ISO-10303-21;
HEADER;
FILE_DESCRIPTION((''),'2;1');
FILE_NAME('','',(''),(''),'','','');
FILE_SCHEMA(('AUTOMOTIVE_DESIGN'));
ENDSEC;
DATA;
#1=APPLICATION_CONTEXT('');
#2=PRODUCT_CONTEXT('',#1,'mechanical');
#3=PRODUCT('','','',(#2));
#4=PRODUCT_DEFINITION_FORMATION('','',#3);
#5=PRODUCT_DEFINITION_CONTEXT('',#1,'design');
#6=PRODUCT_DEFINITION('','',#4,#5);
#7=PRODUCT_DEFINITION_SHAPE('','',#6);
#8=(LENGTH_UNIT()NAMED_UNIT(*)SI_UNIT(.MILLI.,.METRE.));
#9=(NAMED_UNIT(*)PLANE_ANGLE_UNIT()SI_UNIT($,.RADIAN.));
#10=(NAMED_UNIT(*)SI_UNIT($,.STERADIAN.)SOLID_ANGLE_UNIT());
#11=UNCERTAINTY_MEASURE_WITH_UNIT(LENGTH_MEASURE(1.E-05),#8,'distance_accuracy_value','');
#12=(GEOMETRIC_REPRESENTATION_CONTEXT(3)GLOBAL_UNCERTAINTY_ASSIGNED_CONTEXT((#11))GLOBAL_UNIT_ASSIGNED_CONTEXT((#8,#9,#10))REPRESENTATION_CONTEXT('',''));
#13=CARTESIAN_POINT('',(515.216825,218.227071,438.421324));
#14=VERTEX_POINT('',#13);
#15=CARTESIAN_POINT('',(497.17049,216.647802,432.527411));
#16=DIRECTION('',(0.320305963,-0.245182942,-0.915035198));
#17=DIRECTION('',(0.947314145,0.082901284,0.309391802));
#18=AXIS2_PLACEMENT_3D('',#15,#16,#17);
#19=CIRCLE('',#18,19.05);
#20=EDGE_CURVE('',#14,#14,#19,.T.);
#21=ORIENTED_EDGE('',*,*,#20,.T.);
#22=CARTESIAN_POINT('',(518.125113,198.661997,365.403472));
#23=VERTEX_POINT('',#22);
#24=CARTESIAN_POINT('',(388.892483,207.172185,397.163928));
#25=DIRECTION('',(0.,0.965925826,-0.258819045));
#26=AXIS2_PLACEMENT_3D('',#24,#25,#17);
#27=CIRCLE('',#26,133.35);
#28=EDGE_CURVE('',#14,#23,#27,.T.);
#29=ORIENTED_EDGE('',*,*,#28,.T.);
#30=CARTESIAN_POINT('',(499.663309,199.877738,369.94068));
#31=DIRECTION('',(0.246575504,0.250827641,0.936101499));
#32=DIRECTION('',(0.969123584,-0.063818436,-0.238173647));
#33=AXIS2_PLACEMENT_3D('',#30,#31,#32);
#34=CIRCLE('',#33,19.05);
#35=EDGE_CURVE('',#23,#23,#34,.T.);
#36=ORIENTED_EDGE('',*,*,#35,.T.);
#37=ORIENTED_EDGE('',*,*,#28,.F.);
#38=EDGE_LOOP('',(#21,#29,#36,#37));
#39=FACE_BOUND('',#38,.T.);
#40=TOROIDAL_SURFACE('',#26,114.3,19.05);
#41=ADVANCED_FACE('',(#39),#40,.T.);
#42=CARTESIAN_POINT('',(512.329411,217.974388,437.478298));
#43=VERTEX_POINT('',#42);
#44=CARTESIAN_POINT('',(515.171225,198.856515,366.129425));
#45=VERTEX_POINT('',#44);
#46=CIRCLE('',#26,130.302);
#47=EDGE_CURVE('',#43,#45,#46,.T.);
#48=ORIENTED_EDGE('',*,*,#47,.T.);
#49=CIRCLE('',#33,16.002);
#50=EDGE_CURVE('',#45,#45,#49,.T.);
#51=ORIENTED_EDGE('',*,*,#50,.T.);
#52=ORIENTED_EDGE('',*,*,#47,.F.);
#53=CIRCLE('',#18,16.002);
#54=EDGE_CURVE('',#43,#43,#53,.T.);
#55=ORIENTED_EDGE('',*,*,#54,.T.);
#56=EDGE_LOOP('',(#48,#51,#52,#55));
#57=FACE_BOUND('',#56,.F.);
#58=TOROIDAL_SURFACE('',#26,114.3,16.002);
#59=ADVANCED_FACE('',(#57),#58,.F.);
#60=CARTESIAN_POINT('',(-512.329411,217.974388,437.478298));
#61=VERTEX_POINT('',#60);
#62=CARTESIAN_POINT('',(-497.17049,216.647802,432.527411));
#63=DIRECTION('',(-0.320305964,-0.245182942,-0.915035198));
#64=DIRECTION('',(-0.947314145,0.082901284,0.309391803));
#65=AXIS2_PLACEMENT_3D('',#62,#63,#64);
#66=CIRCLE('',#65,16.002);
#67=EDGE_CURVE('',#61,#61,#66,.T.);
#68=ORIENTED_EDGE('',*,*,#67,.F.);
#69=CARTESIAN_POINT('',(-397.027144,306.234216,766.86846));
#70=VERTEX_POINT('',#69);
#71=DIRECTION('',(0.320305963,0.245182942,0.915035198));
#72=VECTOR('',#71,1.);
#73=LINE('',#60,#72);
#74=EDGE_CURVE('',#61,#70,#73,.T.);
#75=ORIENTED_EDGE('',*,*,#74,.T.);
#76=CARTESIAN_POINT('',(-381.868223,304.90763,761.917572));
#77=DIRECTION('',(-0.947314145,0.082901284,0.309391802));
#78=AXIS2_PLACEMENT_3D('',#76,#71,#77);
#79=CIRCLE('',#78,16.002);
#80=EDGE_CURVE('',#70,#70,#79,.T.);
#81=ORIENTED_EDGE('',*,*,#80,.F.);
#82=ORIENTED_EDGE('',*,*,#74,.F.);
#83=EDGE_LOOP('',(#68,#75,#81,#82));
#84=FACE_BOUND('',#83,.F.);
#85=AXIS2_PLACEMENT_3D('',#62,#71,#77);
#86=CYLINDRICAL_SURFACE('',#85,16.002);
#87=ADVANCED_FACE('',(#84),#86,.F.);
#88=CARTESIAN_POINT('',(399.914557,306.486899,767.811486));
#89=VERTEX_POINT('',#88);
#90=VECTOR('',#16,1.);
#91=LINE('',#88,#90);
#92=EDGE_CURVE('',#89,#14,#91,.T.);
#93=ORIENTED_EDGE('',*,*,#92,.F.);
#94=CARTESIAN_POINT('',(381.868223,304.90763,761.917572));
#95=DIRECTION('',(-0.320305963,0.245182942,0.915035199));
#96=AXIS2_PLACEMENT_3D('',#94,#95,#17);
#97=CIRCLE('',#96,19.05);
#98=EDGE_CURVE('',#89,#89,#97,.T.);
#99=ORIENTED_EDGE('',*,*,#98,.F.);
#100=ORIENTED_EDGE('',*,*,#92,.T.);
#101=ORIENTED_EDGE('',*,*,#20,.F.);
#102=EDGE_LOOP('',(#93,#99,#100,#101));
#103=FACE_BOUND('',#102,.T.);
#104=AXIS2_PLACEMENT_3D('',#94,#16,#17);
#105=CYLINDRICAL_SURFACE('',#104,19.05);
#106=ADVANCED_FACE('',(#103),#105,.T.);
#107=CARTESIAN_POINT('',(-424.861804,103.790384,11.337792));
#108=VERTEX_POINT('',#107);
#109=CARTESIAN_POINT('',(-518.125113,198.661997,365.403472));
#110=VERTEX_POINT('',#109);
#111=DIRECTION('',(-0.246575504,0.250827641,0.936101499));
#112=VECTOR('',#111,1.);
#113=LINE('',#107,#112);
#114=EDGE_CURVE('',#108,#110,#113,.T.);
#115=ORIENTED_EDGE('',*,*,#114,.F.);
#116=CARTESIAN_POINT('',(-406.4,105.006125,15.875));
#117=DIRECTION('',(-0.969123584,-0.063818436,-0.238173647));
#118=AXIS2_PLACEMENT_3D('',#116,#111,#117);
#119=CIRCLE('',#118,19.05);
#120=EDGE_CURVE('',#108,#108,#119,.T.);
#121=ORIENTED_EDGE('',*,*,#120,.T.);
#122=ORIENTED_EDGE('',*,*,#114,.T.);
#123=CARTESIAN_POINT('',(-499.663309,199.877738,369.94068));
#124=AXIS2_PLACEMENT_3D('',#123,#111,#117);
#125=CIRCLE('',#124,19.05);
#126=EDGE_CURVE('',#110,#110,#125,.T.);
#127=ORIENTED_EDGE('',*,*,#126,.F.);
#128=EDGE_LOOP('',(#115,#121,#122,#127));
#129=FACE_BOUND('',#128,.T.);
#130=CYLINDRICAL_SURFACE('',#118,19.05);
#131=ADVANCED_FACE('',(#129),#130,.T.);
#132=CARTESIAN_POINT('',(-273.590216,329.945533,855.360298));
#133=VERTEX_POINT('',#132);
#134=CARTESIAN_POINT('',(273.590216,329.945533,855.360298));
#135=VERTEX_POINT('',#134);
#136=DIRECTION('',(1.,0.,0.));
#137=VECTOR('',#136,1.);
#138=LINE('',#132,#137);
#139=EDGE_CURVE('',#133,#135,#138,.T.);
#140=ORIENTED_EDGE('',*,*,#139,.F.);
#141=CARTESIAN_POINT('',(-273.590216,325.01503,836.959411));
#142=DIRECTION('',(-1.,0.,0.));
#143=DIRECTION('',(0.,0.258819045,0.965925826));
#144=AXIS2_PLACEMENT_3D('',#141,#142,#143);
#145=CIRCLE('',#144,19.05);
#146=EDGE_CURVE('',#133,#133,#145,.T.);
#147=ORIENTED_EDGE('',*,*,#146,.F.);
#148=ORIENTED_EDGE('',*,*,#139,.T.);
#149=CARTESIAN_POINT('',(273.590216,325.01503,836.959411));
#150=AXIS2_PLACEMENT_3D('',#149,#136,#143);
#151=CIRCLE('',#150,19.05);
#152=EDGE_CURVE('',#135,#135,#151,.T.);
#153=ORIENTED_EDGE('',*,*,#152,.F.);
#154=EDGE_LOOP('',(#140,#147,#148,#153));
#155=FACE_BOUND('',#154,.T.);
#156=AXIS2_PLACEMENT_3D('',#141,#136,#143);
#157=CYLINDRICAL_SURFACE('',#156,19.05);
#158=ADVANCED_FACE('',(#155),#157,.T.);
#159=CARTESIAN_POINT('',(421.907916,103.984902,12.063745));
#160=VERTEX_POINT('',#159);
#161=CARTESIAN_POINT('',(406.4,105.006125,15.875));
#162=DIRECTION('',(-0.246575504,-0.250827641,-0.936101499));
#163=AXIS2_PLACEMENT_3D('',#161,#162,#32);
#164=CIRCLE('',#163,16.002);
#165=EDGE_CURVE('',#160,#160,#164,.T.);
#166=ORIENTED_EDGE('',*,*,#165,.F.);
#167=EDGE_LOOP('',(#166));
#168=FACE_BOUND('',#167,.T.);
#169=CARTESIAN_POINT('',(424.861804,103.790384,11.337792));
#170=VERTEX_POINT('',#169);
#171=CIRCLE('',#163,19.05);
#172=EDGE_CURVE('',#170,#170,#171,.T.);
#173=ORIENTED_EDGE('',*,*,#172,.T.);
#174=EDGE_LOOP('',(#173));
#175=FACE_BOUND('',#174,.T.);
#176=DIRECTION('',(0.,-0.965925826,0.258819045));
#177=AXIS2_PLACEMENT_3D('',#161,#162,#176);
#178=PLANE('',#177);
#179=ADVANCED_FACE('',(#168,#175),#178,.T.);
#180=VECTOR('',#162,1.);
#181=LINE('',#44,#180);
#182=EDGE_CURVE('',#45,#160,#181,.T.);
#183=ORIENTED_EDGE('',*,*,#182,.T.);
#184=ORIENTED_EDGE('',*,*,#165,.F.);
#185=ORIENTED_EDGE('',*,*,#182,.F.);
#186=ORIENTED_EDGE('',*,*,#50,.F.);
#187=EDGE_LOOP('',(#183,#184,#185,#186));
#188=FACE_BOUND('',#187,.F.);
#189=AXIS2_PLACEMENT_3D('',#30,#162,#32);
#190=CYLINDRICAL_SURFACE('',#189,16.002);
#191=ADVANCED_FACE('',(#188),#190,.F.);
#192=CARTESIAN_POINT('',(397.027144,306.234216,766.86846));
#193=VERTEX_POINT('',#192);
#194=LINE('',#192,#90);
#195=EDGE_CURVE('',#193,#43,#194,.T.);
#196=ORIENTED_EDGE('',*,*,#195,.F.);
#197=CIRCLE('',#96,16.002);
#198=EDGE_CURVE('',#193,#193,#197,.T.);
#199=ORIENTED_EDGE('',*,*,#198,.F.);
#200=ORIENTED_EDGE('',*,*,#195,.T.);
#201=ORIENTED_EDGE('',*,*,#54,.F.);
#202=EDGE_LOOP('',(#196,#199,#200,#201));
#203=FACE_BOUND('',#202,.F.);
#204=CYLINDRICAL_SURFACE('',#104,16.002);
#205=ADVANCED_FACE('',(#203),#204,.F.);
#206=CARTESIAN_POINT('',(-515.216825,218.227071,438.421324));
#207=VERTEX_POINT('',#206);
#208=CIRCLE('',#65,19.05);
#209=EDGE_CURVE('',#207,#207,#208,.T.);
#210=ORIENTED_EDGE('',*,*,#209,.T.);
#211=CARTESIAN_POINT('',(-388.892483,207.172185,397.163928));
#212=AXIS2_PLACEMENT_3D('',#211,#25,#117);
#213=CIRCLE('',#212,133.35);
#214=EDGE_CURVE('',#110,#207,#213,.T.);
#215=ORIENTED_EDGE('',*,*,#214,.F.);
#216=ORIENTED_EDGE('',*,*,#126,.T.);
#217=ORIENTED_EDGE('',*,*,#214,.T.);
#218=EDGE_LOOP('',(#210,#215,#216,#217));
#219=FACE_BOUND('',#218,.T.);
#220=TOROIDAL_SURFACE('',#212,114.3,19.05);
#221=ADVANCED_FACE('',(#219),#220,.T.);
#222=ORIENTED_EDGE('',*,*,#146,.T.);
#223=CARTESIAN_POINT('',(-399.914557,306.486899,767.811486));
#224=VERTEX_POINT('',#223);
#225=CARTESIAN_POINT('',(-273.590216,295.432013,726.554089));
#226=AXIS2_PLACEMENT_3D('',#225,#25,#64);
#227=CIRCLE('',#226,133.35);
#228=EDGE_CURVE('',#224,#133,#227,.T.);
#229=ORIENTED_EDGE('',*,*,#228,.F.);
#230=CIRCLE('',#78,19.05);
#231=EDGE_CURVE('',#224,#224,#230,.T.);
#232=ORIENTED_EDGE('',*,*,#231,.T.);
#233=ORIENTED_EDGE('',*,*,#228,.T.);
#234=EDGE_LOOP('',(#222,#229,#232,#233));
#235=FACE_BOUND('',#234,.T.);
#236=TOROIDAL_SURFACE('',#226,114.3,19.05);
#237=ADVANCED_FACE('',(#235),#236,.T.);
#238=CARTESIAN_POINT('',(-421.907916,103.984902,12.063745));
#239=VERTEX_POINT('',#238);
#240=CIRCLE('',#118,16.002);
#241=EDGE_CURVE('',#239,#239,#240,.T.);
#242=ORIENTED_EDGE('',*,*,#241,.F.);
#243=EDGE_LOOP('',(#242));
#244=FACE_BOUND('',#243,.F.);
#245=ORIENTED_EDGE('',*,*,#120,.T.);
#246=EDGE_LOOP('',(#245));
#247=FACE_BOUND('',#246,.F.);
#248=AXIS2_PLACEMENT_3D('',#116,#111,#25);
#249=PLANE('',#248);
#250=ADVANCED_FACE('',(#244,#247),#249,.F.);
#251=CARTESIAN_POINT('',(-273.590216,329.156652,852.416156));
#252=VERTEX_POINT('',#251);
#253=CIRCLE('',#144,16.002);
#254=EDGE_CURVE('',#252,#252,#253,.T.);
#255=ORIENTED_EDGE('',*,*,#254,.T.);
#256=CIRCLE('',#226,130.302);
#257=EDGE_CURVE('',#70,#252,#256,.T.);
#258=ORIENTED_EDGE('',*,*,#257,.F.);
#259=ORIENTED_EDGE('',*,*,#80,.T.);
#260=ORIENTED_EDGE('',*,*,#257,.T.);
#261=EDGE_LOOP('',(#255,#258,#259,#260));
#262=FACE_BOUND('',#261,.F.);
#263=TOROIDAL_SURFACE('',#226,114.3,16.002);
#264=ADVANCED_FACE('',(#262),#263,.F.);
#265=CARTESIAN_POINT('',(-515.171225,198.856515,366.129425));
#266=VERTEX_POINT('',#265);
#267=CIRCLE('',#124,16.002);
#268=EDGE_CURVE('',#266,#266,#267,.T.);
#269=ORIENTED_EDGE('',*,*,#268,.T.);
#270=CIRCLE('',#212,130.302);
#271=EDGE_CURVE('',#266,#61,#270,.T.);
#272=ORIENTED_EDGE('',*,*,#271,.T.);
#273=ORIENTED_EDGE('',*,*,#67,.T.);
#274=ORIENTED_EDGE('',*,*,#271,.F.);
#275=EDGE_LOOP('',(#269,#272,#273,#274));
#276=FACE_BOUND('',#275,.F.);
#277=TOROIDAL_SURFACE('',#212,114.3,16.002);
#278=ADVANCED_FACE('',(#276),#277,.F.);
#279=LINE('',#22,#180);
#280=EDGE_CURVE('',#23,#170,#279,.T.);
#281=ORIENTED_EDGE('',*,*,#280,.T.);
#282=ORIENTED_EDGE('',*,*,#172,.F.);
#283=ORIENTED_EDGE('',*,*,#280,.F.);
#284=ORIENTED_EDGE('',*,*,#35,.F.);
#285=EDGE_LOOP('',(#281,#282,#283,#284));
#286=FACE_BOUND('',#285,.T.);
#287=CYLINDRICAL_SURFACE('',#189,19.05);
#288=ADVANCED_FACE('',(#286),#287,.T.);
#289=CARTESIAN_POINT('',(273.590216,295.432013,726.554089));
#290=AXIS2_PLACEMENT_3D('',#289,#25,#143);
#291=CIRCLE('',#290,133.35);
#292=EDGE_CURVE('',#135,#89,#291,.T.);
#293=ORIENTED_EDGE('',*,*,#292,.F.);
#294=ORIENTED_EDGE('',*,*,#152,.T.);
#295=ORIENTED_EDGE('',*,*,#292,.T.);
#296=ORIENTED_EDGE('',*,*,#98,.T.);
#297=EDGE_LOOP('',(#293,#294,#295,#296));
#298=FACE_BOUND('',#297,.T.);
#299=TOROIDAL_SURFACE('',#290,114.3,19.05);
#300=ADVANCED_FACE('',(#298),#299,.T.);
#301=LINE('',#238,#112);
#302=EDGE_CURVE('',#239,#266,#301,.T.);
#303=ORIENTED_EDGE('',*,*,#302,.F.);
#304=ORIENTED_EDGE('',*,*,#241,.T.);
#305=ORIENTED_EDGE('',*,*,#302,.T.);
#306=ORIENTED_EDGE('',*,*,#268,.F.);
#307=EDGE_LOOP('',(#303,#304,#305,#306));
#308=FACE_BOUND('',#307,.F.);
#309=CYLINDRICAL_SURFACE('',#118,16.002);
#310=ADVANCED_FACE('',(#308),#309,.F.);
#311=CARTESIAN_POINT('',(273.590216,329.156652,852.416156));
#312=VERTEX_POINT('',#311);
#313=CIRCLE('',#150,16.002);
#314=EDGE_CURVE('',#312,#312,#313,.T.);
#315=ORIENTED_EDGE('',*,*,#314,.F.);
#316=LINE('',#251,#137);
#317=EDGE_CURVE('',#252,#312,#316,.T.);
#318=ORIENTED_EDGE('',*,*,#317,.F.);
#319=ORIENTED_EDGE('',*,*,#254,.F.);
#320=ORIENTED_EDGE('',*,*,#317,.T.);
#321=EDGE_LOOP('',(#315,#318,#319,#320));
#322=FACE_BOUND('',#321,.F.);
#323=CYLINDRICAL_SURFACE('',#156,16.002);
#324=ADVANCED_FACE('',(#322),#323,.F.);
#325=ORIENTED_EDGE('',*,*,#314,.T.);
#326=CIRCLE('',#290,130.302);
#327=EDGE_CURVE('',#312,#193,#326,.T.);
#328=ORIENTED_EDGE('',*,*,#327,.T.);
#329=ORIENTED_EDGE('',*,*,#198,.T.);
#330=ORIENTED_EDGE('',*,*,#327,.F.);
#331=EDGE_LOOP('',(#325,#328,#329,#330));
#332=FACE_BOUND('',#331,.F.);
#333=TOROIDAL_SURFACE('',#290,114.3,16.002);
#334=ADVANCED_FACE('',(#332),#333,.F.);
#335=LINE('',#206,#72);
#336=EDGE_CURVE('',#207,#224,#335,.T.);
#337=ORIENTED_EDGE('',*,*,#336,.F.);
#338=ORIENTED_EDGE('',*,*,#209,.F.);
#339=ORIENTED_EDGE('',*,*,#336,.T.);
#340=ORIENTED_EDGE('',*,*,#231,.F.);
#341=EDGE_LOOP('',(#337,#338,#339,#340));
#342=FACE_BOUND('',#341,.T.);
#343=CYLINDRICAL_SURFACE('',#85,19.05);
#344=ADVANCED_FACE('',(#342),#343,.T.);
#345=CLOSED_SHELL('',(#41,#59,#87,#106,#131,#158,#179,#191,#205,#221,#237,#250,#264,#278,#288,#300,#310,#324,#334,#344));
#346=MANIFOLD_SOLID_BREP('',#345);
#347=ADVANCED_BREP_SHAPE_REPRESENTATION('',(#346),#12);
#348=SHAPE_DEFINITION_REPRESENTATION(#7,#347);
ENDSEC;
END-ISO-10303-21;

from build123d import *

# Parameters (mm, degrees)
F7_R   = 19.05
F7_R_2 = 16.002


with BuildPart() as f8:
    # F8: sweep along a path in F4
    with BuildLine(Plane(origin=(0, 94.0032983653, -25.1881078829), x_dir=(1, 0, 0), z_dir=(0, -0.9659258263, 0.2588190451))) as f8_path:
        Line((-406.4, 42.5116574847), (-499.6633089746, 409.0674219687))
        ThreePointArc((-499.6633089746, 409.0674219687), (-503.107986791, 441.6451764258), (-497.170490128, 473.8619736611))
        Line((-497.170490128, 473.8619736611), (-381.8682228592, 814.8717618607))
        ThreePointArc((-381.8682228592, 814.8717618607), (-340.2230005694, 871.1293103511), (-273.5902160586, 892.5607902362))
        Line((-273.5902160586, 892.5607902362), (0, 892.5607902362))
        Line((0, 892.5607902362), (273.5902160586, 892.5607902362))
        ThreePointArc((273.5902160586, 892.5607902362), (340.2230005694, 871.1293103511), (381.8682228592, 814.8717618607))
        Line((381.8682228592, 814.8717618607), (497.170490128, 473.8619736611))
        ThreePointArc((497.170490128, 473.8619736611), (503.107986791, 441.6451764258), (499.6633089746, 409.0674219687))
        Line((499.6633089746, 409.0674219687), (406.4, 42.5116574847))
    # F7 (on line) → F8 (sweep)
    with BuildSketch(Plane(origin=(34.8675847369, 35.4688680865, 132.3716177858), x_dir=(0.969123584, -0.0638184364, -0.2381736471), z_dir=(-0.2465755037, -0.2508276406, -0.9361014986))):
        with Locations((383.3694911677, -97.3193756776)):
            Circle(F7_R)
        with Locations((383.3694911677, -97.3193756776)):
            Circle(F7_R_2, mode=Mode.SUBTRACT)
    sweep(path=f8_path.line)


solid = f8.part
